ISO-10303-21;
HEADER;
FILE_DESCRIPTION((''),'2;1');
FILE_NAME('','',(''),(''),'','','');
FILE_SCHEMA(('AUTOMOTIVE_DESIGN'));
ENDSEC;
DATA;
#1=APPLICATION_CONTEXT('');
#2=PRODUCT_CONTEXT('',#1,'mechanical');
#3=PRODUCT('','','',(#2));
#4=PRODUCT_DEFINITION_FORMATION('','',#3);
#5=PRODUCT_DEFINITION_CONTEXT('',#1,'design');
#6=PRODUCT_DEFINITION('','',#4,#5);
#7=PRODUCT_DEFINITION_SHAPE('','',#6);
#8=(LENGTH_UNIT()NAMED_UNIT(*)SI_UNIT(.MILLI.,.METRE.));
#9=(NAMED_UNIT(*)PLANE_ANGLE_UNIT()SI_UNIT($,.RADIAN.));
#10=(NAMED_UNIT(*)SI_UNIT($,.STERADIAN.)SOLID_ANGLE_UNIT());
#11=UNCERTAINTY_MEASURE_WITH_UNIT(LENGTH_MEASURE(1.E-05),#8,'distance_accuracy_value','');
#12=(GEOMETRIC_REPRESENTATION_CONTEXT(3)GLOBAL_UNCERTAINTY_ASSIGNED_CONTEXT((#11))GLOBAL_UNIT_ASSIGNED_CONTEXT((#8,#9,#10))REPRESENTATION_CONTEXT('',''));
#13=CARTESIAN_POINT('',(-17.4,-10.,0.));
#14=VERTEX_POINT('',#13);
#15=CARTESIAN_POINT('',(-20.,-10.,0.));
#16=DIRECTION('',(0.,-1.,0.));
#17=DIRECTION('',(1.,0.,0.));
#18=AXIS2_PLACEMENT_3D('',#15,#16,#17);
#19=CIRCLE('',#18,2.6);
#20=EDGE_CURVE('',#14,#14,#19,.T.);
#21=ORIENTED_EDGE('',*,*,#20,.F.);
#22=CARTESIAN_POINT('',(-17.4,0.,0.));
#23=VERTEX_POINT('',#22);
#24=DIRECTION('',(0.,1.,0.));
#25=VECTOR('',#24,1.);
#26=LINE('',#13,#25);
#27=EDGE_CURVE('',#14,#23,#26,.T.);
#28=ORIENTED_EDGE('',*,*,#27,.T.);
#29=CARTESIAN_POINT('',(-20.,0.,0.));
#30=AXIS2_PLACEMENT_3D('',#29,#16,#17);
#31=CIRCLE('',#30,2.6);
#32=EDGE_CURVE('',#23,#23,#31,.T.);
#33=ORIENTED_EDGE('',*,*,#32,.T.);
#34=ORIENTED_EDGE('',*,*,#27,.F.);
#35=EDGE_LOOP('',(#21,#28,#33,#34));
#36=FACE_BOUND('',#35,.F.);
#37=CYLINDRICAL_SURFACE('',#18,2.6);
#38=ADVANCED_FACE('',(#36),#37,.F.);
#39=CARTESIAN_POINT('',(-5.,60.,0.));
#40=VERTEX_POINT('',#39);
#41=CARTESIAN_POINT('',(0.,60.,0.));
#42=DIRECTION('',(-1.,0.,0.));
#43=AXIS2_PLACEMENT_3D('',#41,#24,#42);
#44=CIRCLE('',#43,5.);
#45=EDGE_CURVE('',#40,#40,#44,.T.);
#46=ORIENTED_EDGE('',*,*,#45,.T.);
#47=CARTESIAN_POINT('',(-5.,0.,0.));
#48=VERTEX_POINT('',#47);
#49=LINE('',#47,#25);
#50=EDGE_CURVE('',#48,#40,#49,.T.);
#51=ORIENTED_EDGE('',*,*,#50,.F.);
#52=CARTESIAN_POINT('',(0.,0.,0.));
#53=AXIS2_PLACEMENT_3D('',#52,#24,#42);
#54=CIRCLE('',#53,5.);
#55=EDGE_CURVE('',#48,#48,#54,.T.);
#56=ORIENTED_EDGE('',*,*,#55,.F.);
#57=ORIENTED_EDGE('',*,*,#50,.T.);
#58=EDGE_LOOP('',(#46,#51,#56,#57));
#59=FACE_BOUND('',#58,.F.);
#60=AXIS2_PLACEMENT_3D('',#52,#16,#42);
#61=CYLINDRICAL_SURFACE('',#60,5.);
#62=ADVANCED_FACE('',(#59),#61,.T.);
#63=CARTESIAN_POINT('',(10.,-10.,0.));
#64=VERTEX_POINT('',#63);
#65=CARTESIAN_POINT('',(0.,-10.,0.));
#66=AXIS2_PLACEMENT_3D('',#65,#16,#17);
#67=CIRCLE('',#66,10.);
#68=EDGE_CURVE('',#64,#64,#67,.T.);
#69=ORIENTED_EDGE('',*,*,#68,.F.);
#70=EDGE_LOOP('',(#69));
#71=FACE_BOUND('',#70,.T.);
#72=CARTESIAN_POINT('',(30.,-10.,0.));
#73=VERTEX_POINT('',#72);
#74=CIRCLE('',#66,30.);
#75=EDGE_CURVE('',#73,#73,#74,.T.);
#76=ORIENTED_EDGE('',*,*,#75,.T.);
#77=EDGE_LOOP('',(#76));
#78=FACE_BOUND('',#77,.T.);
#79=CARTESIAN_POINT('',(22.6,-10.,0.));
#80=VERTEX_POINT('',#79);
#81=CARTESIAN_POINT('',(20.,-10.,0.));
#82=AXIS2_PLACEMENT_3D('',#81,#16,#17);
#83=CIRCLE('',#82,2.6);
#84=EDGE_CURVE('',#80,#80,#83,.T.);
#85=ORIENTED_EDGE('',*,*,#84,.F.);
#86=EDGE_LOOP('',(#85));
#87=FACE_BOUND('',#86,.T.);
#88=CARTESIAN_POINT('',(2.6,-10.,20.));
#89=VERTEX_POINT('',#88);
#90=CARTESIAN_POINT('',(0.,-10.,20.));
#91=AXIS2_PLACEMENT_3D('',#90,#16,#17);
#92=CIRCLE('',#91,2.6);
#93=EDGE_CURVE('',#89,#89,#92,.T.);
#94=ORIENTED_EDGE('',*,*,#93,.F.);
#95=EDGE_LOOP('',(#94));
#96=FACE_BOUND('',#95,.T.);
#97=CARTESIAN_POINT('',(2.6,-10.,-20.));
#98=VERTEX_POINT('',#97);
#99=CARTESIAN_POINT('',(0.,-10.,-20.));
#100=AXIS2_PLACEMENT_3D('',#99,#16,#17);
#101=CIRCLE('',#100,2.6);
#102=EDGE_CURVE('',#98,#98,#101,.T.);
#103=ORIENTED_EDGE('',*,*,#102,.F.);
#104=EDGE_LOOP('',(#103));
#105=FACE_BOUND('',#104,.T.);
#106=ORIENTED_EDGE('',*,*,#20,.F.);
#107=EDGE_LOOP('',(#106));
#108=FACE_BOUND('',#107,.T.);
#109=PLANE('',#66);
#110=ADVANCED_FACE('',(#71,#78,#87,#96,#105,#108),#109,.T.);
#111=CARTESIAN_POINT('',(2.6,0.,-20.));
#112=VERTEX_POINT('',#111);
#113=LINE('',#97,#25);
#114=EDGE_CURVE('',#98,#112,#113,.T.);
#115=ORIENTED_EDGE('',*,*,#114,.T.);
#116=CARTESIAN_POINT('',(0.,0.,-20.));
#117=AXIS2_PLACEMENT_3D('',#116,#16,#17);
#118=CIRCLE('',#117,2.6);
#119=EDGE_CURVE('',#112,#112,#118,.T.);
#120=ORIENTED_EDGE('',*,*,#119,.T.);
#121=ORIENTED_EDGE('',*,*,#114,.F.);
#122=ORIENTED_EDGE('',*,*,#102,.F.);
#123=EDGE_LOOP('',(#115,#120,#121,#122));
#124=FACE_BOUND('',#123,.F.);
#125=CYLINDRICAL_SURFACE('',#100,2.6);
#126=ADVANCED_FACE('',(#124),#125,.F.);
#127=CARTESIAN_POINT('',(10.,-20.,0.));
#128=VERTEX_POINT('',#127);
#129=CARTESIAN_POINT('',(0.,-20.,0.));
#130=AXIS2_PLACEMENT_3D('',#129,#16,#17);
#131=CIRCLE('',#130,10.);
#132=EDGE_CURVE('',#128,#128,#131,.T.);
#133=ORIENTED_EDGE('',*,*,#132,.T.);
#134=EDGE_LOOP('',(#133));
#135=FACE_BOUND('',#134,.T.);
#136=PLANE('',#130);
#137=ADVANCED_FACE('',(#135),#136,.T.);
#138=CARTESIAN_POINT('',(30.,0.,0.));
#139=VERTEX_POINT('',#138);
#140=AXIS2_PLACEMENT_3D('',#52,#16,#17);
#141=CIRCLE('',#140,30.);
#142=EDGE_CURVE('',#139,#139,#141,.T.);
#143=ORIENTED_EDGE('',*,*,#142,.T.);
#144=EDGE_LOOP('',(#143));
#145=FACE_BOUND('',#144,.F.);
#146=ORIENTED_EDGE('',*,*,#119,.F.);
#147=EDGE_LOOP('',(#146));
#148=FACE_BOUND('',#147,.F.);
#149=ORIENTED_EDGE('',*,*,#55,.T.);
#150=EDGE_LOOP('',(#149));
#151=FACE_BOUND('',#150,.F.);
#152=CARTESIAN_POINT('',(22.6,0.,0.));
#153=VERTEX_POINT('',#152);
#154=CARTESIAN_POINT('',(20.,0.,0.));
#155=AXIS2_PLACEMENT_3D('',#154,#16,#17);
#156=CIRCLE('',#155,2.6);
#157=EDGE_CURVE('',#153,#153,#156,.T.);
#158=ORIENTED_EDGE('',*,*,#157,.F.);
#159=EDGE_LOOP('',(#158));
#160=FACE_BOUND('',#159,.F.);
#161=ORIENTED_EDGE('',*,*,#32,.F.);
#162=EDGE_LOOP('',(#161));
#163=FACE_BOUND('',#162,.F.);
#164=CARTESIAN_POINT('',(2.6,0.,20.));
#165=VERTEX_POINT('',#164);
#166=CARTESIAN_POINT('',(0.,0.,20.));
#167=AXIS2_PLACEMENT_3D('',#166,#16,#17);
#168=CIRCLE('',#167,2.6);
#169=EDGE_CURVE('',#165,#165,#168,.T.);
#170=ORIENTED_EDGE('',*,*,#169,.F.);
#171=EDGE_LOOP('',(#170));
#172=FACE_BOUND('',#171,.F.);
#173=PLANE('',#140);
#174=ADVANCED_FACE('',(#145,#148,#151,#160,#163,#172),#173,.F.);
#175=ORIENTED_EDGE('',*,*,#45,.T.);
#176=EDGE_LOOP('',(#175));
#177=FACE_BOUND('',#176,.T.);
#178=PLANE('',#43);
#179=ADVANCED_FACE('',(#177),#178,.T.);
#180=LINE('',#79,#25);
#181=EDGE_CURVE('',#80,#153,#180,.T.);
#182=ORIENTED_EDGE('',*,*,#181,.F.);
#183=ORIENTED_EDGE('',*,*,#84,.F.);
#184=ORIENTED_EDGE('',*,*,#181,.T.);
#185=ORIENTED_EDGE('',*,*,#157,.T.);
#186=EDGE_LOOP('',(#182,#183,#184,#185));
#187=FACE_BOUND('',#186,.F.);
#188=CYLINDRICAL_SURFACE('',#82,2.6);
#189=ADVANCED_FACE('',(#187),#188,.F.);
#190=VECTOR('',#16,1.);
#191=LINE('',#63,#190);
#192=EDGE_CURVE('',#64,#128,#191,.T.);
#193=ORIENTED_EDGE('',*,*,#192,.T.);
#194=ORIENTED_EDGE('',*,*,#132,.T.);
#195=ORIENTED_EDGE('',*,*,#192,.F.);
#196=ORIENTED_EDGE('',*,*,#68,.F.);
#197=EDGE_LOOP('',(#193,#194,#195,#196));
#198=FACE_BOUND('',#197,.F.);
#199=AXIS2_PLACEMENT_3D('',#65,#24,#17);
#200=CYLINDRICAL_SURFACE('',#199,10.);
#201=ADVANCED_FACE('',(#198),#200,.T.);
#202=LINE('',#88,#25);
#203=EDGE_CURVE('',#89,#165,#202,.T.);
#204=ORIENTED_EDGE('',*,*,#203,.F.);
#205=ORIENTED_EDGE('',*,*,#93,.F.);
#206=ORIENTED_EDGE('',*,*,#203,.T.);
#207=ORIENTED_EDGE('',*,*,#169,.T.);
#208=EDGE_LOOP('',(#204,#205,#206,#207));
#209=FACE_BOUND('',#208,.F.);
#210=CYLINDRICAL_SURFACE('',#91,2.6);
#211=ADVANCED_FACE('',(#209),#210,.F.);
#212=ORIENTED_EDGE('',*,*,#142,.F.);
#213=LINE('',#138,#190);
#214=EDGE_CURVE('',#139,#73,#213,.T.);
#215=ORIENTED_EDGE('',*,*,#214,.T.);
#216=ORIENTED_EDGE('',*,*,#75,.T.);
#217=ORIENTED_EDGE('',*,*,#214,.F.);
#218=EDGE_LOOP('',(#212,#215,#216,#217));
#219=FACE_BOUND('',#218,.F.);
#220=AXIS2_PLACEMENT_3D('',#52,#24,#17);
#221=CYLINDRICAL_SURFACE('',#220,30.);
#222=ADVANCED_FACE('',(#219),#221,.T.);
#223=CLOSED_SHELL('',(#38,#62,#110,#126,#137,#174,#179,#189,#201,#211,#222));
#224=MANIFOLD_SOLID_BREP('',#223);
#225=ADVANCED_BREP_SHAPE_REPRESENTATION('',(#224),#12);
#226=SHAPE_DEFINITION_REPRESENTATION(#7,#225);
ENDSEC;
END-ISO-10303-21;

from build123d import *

# Parameters (mm, degrees)
F0_R     = 30
F1_DEPTH = 10
F2_R     = 2.6
F3_DEPTH = 25
F4_R     = 10
F5_DEPTH = 10
F6_R     = 5
F7_DEPTH = 60


with BuildPart() as f1:
    # F0 (on Front) → F1 (new body)
    with BuildSketch(Plane.XZ):
        Circle(F0_R)
    extrude(amount=F1_DEPTH)

    # F2 (on face) → F3 (cut)
    with BuildSketch(Plane.XZ.offset(10)):
        with Locations((-20, 0)):
            Circle(F2_R)
        with Locations((0, 20)):
            Circle(F2_R)
        with Locations((20, 0)):
            Circle(F2_R)
        with Locations((0, -20)):
            Circle(F2_R)
    extrude(amount=-F3_DEPTH, mode=Mode.SUBTRACT)

    # F4 (on face) → F5 (join)
    with BuildSketch(Plane.XZ.offset(10)):
        Circle(F4_R)
    extrude(amount=F5_DEPTH)

    # F6 (on face) → F7 (join)
    with BuildSketch(Plane(origin=(0, 0, 0), x_dir=(-1, 0, 0), z_dir=(0, 1, 0))):
        Circle(F6_R)
    extrude(amount=F7_DEPTH)


solid = f1.part
